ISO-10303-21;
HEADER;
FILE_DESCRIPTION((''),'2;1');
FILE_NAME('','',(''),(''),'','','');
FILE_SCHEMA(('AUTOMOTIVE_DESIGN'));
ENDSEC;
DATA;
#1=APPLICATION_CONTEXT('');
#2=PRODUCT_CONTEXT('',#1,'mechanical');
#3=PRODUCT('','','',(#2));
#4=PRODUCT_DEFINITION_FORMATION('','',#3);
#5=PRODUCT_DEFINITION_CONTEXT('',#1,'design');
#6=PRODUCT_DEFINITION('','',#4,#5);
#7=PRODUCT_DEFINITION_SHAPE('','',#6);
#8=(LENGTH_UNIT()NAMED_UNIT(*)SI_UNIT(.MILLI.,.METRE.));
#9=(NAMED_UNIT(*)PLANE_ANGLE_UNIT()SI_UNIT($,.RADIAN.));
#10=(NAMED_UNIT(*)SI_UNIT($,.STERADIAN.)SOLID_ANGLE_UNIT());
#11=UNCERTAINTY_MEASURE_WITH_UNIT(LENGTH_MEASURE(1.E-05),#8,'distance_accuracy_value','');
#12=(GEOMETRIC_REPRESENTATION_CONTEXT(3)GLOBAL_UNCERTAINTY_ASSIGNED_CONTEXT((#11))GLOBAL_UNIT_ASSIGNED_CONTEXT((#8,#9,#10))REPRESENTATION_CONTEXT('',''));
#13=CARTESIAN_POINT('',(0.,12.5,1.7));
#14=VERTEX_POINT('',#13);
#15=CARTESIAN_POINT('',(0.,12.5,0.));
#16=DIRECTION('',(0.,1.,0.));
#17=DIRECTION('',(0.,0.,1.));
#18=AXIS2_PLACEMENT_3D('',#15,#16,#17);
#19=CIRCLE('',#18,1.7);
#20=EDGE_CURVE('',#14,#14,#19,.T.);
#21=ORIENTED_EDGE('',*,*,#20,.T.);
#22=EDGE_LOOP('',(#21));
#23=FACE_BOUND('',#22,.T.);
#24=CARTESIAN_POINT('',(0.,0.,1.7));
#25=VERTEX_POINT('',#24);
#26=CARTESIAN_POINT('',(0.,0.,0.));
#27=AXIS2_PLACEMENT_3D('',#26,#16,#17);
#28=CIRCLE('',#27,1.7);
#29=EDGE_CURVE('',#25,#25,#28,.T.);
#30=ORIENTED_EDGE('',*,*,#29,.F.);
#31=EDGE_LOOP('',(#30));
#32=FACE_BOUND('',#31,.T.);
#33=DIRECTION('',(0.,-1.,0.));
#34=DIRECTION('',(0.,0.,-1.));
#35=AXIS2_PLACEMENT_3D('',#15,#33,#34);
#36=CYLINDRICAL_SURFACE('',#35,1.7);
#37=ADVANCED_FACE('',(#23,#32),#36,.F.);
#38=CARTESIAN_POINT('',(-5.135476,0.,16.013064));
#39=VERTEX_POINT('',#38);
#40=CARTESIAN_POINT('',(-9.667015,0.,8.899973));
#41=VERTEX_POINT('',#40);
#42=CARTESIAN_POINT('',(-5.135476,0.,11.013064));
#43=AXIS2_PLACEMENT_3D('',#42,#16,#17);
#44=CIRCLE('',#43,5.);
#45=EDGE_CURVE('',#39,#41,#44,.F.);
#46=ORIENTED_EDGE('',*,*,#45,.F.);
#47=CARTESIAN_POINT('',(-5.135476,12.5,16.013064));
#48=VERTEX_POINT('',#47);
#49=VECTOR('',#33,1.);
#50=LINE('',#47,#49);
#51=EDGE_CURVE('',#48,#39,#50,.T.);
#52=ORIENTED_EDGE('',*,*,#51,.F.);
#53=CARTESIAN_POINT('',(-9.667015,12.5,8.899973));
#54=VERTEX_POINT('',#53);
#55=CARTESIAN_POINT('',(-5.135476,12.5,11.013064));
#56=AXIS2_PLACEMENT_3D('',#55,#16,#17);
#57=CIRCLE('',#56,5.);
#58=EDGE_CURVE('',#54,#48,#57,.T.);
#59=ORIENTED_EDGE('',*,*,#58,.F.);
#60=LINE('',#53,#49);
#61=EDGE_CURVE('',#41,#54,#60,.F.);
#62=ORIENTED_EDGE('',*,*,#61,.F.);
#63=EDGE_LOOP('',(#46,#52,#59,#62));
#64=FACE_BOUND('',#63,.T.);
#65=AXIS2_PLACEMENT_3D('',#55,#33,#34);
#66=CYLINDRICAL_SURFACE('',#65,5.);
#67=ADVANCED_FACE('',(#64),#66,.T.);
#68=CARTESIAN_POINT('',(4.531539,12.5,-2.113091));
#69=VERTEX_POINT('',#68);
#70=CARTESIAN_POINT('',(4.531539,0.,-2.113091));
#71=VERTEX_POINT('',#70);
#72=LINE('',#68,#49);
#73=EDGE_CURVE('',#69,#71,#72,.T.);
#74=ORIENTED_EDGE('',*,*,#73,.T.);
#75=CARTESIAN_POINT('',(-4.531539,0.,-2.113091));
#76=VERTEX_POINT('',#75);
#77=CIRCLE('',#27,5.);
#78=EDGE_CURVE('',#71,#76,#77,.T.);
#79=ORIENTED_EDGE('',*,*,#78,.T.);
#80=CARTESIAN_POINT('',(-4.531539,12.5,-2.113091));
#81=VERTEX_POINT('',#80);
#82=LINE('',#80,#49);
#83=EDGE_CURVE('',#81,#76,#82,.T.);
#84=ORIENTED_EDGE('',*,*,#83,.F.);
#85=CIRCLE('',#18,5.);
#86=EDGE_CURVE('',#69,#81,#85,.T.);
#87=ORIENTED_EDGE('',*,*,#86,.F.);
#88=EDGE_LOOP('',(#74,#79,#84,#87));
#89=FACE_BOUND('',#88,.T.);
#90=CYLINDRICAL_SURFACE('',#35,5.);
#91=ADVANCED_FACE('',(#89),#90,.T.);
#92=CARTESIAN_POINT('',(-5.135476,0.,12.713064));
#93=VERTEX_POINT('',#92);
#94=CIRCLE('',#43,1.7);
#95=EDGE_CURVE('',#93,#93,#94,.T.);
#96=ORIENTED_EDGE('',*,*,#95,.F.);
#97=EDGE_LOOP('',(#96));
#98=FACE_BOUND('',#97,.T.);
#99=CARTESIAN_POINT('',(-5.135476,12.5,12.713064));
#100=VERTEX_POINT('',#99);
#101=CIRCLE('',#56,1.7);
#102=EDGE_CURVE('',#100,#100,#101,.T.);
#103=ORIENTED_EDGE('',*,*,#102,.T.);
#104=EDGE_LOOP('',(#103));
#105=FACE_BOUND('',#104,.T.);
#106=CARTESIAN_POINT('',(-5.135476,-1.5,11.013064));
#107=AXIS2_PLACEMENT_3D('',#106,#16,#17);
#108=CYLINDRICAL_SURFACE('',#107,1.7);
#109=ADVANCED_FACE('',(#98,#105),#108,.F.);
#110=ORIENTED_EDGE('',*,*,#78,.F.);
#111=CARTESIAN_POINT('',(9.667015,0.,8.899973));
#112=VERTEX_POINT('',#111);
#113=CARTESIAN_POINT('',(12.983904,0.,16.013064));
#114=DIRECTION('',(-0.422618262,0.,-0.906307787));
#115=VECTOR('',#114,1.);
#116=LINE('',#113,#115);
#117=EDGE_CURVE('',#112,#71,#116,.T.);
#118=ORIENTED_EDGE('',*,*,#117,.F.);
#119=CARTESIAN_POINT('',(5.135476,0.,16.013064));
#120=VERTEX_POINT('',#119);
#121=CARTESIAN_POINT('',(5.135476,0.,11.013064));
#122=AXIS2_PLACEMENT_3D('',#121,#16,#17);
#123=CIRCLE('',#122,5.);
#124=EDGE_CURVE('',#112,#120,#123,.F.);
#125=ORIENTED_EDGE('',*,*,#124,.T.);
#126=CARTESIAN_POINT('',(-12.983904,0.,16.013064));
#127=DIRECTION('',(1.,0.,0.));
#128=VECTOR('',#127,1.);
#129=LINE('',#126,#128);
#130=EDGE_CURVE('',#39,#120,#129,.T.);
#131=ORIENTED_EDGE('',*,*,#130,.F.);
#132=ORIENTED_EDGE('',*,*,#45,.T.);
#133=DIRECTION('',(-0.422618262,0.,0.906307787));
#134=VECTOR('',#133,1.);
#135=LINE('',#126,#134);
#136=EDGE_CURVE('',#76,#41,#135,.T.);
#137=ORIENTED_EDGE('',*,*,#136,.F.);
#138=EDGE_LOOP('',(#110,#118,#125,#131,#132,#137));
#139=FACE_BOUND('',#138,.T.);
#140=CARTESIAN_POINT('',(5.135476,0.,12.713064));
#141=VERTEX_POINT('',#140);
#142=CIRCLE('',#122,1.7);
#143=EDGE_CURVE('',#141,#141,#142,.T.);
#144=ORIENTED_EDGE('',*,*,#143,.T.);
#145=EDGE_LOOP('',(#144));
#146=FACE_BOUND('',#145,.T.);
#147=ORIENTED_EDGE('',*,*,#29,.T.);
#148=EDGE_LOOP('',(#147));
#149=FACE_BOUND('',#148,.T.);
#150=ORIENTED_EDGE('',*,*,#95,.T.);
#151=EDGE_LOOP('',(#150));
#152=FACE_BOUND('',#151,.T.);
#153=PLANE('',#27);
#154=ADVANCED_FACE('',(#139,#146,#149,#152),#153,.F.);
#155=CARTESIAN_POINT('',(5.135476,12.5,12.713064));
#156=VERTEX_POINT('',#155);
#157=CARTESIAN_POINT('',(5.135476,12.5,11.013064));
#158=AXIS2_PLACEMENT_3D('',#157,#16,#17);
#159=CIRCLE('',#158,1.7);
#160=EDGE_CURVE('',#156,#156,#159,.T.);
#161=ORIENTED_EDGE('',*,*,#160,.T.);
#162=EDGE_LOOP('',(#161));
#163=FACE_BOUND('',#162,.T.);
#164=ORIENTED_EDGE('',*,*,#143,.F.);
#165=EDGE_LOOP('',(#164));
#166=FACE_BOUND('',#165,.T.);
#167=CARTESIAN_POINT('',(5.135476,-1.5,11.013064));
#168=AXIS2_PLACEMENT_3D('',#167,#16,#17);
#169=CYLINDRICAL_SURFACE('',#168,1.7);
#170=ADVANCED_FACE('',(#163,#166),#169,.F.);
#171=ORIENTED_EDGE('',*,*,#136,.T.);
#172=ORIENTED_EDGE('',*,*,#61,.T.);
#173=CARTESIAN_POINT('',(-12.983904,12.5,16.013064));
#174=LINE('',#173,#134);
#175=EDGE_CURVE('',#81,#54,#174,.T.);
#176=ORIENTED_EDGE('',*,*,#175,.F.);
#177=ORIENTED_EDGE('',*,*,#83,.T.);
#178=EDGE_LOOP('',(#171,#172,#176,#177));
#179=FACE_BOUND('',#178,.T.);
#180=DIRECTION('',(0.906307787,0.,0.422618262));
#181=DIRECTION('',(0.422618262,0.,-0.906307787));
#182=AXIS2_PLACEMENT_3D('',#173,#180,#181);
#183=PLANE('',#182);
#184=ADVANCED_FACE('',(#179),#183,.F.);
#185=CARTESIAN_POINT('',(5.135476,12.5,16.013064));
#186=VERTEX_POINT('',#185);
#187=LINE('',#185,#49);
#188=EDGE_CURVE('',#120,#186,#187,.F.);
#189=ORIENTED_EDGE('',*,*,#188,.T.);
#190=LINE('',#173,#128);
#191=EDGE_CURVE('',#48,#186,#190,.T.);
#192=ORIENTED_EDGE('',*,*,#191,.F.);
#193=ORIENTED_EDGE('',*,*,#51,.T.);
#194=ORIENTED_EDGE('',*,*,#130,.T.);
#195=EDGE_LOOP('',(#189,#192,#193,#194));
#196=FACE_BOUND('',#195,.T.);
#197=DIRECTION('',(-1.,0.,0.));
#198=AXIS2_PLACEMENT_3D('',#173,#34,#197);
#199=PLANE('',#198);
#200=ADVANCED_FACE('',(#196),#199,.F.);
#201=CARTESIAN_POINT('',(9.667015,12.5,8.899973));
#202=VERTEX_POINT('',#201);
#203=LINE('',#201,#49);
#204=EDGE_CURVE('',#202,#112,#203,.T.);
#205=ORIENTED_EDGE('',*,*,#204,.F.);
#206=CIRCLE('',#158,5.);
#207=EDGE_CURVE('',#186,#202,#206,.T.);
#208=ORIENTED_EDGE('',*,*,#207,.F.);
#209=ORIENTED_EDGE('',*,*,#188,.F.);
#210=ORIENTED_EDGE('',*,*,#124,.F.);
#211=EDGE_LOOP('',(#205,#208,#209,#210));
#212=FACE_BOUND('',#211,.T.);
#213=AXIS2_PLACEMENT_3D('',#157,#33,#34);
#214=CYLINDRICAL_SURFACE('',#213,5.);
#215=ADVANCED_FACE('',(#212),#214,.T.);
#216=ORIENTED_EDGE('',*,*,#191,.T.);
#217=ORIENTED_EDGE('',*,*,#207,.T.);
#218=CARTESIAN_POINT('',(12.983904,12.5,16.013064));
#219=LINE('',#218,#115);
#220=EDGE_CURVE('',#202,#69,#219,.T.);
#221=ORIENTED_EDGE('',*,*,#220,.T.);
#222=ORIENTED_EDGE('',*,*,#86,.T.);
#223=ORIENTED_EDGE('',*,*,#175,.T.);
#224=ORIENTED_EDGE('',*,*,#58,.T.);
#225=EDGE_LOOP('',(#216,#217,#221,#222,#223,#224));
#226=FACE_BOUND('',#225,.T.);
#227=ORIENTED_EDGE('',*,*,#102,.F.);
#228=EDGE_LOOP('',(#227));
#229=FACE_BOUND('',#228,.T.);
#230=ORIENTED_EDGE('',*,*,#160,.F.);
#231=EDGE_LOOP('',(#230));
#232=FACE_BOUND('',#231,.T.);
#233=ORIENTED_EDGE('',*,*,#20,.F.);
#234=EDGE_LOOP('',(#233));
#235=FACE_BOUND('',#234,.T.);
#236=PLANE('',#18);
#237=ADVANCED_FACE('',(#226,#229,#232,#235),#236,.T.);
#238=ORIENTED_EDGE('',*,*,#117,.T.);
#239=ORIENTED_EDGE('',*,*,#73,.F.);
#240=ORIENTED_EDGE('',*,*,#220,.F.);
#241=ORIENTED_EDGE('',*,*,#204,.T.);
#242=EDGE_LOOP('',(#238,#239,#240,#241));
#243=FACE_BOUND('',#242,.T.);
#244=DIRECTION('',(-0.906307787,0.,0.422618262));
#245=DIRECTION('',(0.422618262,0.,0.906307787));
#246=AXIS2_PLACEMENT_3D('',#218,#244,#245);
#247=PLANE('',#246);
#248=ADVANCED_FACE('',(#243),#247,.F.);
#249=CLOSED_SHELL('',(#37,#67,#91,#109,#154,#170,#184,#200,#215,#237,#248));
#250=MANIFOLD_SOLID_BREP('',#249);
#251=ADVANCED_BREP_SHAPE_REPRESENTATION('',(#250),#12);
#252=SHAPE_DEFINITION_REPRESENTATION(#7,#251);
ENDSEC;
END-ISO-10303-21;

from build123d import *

# Parameters (mm, degrees)
SKETCH_1_R          = 1.7
EXTRUDE_1_DEPTH     = 12.5
FILLET_1_R          = 5
SKETCH_2_R          = 1.7
CUT_EXTRUDE_1_DEPTH = 14


with BuildPart() as part:
    # 草图1 → 凸台-拉伸1 (new body)
    with BuildSketch(Plane(origin=(0, 0, 0), x_dir=(1, 0, 0), z_dir=(0, 1, 0))):
        with BuildLine():
            Line((-12.98390417, -16.013064432), (-4.531538935, 2.113091309))
            ThreePointArc((-4.531538935, 2.113091309), (0, 5), (4.531538935, 2.113091309))
            Line((4.531538935, 2.113091309), (12.98390417, -16.013064432))
            Line((12.98390417, -16.013064432), (-12.98390417, -16.013064432))
        make_face()
        with Locations(Location((0, 0, 0), (0, 0, 270))):
            Circle(SKETCH_1_R, mode=Mode.SUBTRACT)
    extrude(amount=EXTRUDE_1_DEPTH)

    # 圆角1
    fillet_1_edges = [part.edges().sort_by_distance(p)[0] for p in [
        (-12.98390417, 6.25, 16.013064432),
        (12.98390417, 6.25, 16.013064432),
    ]]
    fillet(fillet_1_edges, radius=FILLET_1_R)

    # 草图2 → 切除-拉伸1 (cut)
    with BuildSketch(Plane(origin=(0, 12.5, 0), x_dir=(1, 0, 0), z_dir=(0, 1, 0))):
        with Locations(Location((-5.135476284, -11.013064432, 0), (0, 0, 270))):
            Circle(SKETCH_2_R)
        with Locations(Location((5.135476284, -11.013064432, 0), (0, 0, 270))):
            Circle(SKETCH_2_R)
    extrude(amount=-CUT_EXTRUDE_1_DEPTH, mode=Mode.SUBTRACT)


solid = part.part
